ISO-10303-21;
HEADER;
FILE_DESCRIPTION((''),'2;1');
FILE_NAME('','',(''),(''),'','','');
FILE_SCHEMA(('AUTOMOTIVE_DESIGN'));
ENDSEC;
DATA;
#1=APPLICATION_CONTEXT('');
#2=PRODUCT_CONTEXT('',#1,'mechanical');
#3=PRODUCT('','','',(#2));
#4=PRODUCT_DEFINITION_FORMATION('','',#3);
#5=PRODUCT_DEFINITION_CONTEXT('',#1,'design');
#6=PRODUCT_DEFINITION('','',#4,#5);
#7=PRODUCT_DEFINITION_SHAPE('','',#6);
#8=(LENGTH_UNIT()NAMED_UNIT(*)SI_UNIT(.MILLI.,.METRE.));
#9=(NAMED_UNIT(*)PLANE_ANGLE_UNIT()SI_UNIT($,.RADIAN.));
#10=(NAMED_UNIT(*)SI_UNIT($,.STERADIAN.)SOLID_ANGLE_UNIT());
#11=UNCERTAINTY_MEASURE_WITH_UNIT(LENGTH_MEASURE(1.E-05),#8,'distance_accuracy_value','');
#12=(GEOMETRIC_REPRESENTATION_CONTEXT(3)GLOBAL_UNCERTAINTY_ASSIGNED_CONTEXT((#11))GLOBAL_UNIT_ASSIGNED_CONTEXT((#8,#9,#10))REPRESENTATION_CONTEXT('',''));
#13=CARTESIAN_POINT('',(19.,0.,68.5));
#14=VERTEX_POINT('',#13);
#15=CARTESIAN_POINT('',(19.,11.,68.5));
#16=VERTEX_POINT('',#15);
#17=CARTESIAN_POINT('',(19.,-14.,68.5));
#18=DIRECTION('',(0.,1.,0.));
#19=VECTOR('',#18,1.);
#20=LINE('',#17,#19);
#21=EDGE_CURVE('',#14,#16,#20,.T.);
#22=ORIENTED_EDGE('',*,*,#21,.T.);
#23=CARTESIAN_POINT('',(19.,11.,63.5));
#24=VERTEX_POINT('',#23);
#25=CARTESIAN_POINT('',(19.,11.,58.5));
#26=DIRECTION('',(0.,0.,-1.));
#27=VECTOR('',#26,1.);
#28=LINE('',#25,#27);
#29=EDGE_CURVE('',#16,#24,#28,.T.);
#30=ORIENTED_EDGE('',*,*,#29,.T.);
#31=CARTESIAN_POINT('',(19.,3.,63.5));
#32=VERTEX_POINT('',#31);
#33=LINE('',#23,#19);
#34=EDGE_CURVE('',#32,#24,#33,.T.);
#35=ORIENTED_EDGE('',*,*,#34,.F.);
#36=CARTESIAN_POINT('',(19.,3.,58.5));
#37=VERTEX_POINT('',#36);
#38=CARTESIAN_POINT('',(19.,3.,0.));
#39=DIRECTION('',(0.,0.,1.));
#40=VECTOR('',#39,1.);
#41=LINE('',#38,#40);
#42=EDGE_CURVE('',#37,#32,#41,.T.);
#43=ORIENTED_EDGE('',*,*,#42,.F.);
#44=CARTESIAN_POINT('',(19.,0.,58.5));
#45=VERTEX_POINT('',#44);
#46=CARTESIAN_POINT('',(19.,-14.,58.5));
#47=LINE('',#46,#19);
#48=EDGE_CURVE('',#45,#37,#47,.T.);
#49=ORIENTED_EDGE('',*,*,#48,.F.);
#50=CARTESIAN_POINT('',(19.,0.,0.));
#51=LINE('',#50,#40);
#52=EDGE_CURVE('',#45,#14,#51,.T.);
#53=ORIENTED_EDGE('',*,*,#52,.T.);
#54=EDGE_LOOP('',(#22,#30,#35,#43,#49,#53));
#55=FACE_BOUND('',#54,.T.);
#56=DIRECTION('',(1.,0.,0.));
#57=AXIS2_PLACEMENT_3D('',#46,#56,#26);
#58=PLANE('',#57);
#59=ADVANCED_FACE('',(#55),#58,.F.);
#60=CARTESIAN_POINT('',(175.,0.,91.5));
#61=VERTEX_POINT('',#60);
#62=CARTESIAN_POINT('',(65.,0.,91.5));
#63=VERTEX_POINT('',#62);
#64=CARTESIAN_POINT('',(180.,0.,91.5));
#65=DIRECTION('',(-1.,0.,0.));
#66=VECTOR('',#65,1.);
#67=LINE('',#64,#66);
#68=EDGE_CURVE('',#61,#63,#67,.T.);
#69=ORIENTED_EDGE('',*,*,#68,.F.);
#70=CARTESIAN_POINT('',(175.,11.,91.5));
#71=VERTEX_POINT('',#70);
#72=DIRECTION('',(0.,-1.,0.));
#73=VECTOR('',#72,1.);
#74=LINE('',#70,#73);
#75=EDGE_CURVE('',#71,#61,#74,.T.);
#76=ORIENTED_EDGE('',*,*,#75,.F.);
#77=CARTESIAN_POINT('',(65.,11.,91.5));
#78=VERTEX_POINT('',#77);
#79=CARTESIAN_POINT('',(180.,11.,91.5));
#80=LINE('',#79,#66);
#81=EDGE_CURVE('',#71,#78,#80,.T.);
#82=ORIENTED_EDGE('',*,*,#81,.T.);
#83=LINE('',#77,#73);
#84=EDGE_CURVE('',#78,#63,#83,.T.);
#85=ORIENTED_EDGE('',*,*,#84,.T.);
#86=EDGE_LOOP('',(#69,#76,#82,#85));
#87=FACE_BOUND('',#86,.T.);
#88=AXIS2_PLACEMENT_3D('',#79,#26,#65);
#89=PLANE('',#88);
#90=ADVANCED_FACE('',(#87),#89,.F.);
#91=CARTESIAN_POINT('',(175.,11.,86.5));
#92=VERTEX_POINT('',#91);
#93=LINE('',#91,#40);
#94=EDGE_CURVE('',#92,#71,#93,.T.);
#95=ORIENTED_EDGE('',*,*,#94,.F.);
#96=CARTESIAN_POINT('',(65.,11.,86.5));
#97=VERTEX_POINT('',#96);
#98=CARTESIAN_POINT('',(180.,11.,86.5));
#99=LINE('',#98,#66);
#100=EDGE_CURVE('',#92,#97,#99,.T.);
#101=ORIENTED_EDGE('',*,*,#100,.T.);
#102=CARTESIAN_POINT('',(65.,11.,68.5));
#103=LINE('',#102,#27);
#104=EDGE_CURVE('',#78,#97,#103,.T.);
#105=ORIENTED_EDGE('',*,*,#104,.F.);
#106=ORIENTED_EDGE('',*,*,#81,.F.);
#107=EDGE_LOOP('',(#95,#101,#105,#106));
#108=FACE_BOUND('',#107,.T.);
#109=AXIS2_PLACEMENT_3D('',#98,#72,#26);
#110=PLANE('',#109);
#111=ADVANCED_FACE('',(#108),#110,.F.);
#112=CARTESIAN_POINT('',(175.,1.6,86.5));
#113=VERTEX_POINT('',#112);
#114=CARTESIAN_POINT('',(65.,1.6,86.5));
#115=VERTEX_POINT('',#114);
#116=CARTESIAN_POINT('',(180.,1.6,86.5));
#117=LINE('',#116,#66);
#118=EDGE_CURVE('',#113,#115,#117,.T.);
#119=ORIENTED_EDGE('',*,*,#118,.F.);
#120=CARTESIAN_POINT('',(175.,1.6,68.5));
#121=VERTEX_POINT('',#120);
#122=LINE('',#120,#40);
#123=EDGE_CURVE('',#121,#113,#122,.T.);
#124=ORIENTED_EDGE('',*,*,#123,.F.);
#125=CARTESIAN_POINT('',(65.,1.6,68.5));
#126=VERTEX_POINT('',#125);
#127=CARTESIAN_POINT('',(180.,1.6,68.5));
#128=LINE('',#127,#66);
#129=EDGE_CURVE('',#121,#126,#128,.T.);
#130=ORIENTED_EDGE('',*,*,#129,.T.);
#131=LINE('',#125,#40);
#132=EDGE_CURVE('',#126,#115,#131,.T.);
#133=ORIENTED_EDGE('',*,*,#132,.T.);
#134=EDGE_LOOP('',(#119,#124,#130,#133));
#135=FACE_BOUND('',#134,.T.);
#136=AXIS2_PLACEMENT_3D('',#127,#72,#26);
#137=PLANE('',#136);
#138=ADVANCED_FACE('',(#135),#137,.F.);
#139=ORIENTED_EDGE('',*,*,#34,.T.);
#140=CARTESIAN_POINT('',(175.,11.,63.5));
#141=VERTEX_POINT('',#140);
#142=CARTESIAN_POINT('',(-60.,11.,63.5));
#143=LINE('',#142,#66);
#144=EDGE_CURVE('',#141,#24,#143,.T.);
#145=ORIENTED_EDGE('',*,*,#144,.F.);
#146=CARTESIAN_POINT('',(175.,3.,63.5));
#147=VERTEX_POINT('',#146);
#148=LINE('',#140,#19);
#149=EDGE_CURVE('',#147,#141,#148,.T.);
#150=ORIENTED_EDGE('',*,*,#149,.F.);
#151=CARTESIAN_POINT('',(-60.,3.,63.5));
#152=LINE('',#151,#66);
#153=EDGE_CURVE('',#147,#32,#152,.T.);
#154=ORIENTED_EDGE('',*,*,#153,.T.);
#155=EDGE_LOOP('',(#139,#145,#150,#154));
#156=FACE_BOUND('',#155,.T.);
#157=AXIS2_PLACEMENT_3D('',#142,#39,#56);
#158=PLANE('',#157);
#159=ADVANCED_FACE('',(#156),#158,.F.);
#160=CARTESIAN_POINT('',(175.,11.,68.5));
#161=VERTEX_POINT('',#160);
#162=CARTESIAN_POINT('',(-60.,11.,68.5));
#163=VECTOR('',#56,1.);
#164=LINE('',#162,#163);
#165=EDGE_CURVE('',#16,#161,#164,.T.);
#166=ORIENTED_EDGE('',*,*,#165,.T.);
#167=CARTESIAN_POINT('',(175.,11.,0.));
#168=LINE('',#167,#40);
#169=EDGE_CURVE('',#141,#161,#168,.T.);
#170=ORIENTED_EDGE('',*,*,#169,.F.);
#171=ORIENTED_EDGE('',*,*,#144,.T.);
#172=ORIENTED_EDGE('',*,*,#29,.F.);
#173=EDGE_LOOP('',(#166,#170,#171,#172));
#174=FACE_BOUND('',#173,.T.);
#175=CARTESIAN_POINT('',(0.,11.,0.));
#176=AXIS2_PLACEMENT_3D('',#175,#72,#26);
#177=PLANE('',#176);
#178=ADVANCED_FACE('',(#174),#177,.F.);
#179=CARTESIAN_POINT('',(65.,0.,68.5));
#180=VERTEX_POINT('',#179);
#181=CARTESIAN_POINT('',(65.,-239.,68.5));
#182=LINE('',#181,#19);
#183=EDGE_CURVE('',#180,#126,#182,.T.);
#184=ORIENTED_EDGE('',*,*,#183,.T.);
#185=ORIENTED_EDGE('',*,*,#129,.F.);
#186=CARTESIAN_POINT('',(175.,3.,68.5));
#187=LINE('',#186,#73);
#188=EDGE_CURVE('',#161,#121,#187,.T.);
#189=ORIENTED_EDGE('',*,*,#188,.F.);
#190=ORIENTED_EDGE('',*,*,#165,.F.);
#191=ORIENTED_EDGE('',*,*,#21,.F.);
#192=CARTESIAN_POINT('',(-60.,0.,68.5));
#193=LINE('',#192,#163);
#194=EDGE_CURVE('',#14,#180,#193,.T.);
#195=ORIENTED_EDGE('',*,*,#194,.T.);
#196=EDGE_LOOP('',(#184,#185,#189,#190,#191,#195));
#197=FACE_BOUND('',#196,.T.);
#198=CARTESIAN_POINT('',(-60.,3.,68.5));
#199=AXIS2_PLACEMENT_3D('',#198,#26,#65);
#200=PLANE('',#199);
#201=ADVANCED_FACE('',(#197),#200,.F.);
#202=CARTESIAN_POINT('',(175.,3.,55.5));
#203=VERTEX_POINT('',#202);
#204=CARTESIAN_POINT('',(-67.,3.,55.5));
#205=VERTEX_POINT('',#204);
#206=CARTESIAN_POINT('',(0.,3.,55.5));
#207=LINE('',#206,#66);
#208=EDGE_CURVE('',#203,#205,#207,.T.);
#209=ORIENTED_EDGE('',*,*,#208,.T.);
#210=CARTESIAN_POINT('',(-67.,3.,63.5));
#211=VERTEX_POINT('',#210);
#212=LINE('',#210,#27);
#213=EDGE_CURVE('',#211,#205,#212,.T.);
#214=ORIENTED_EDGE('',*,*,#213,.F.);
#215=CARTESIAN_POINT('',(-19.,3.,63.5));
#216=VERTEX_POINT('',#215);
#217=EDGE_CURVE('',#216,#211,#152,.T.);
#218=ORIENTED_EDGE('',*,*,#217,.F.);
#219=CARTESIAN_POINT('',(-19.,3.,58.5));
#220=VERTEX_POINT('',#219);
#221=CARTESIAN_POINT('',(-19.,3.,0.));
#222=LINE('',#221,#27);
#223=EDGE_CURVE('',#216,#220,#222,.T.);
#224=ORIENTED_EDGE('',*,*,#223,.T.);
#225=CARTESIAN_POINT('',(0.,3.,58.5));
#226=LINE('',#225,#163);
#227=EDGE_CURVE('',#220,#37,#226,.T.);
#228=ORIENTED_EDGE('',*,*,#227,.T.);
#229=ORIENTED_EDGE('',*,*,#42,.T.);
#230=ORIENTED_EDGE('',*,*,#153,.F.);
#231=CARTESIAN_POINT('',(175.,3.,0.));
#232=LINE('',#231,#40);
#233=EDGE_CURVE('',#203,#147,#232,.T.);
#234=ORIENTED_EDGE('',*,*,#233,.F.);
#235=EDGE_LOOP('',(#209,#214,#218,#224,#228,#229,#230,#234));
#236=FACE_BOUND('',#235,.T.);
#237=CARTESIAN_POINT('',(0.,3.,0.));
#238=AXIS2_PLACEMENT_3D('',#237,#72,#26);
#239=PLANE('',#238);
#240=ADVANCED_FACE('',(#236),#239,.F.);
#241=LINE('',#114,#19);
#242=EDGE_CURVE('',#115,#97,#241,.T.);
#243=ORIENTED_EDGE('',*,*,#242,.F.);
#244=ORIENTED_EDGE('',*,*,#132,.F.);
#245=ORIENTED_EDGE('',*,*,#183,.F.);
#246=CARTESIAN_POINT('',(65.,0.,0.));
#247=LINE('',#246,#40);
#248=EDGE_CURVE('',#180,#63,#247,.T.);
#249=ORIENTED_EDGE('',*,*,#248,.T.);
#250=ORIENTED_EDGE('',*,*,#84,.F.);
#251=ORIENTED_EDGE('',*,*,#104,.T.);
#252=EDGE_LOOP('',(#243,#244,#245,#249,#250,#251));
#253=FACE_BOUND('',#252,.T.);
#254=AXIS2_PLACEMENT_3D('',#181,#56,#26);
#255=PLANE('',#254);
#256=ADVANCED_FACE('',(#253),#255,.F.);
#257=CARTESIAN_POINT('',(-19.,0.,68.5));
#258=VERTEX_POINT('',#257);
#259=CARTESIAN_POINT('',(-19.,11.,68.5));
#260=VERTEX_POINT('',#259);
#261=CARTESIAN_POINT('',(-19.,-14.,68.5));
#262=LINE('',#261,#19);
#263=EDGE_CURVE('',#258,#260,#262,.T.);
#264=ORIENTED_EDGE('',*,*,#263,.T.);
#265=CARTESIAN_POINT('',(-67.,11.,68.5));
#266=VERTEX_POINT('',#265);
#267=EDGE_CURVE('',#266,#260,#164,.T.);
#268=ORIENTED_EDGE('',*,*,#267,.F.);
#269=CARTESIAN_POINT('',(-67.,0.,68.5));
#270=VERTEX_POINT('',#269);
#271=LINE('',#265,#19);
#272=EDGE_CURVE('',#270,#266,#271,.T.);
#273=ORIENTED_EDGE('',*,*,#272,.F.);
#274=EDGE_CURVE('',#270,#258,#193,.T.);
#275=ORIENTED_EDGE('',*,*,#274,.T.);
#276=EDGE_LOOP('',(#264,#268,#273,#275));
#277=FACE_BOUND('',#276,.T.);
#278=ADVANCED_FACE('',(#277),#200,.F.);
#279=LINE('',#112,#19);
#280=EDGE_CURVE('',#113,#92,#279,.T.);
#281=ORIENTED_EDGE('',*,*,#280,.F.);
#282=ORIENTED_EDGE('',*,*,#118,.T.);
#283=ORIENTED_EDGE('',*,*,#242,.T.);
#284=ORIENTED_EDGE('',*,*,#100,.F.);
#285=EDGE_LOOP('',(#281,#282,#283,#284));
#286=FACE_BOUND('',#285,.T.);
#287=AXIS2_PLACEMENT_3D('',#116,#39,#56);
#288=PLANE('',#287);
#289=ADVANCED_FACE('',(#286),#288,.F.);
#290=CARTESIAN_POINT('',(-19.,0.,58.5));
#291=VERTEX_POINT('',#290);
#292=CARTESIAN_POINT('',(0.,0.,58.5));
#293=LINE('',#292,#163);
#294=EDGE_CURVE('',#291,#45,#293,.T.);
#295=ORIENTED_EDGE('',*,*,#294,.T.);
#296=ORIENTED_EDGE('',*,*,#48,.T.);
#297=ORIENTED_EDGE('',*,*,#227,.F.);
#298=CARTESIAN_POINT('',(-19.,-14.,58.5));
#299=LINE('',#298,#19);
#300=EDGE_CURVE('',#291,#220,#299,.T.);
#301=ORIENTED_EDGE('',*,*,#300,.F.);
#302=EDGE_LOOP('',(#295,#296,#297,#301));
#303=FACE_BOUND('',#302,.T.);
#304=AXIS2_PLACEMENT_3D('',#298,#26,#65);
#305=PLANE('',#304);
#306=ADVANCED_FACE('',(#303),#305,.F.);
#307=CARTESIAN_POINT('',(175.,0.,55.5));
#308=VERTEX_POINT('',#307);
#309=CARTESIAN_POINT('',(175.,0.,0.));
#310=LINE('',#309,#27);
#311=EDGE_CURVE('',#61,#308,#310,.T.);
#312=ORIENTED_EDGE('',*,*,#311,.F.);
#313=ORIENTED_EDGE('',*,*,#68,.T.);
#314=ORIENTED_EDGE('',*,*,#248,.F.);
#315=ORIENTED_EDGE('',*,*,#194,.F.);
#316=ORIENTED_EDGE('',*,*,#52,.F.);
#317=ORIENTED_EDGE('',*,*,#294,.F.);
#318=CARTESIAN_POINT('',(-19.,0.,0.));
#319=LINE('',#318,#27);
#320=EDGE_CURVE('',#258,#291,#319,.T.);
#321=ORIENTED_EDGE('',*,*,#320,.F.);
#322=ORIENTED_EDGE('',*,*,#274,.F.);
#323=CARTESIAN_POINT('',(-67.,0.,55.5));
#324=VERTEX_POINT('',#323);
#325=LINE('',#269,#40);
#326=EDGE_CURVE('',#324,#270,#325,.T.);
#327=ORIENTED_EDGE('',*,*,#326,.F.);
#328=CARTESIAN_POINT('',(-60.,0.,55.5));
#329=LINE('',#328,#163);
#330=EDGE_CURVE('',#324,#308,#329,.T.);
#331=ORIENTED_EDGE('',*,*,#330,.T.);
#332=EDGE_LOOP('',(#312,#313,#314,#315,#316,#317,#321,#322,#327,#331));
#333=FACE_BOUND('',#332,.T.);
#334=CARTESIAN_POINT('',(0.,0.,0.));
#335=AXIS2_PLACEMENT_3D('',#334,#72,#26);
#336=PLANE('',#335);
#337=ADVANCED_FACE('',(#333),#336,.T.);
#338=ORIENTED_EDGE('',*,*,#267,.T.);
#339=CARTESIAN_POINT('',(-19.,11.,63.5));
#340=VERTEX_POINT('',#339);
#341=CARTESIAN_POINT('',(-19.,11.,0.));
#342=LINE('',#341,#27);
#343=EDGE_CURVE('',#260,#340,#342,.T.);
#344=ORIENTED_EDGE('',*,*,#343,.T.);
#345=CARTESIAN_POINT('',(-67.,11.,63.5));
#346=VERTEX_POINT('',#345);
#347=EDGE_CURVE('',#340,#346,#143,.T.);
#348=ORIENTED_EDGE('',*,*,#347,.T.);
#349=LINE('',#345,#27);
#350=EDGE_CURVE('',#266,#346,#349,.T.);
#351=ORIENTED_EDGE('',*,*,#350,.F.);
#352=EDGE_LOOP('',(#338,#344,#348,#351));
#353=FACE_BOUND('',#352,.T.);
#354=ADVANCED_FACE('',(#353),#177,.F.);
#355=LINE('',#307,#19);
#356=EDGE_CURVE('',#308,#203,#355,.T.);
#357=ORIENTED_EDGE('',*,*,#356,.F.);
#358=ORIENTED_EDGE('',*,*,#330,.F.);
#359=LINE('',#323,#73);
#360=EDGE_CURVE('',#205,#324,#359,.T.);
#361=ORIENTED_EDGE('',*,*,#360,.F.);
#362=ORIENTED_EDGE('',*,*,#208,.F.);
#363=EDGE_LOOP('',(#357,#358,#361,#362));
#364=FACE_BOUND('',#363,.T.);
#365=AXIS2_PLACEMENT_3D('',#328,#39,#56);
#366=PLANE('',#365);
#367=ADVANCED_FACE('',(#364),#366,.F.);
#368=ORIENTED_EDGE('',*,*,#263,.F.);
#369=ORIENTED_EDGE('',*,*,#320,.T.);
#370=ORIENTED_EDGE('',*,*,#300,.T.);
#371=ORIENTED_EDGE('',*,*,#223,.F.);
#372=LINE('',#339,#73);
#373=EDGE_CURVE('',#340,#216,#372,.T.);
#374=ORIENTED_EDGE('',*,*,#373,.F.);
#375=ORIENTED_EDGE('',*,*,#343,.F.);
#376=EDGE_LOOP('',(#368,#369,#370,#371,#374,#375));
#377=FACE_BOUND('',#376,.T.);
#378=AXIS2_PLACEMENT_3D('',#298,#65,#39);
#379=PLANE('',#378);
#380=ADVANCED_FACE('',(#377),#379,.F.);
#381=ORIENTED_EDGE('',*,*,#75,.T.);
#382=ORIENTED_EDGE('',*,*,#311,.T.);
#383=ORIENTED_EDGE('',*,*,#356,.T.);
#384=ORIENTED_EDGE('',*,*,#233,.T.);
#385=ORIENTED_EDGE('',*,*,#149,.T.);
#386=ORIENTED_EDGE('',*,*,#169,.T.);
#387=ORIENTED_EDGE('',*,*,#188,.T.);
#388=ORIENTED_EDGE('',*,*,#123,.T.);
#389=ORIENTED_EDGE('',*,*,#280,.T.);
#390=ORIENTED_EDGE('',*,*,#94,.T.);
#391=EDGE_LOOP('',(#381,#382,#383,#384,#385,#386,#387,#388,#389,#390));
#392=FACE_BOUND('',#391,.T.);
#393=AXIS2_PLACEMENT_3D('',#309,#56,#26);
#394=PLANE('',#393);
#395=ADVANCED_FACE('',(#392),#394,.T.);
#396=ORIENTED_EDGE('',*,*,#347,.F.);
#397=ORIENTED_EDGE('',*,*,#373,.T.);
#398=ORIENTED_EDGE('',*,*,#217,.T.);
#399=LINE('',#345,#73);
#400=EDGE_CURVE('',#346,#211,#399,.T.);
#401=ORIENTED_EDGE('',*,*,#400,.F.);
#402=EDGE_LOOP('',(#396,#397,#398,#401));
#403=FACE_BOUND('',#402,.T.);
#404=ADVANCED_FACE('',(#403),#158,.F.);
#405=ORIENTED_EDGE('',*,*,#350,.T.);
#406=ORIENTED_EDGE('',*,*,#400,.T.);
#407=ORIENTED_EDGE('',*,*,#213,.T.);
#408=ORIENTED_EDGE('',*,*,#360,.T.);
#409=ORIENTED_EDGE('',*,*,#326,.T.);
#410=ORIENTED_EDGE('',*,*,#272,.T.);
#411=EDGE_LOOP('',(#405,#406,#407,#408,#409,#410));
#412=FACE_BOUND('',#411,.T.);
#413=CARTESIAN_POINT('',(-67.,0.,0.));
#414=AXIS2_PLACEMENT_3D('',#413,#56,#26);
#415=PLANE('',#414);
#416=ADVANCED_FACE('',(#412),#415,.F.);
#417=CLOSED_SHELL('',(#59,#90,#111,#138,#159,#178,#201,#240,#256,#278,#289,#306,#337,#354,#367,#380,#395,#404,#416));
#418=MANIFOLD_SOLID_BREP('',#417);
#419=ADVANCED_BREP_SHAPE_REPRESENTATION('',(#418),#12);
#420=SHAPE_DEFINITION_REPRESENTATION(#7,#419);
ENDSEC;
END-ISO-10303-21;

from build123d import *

# Parameters (mm, degrees)
SKETCH1_W               = 120
SKETCH1_H               = 137
BOSS_EXTRUDE1_DEPTH     = 3
SKETCH2_W               = 120
SKETCH2_H               = 5
BOSS_EXTRUDE2_DEPTH     = 8
SKETCH3_W               = 38
SKETCH3_H               = 10
CUT_EXTRUDE1_DEPTH      = 25
SKETCH4_W               = 120
SKETCH4_H               = 124
CUT_EXTRUDE2_DEPTH      = 92.412526494
CUT_EXTRUDE2_DEPTH_BACK = 92.412526494
BOSS_EXTRUDE3_DEPTH     = 7
BOSS_EXTRUDE4_DEPTH     = 120
SKETCH9_W               = 5
SKETCH9_H               = 23
CUT_EXTRUDE3_DEPTH      = 250
MOVE_FACE1_BY           = 5


with BuildPart() as part:
    # Sketch1 → Boss-Extrude1 (new body)
    with BuildSketch(Plane(origin=(0, 0, 0), x_dir=(1, 0, 0), z_dir=(0, 1, 0))):
        Rectangle(SKETCH1_W, SKETCH1_H)
    extrude(amount=BOSS_EXTRUDE1_DEPTH)

    # Sketch2 → Boss-Extrude2 (add)
    with BuildSketch(Plane(origin=(0, 3, 0), x_dir=(1, 0, 0), z_dir=(0, 1, 0))):
        with Locations((0, -66)):
            Rectangle(SKETCH2_W, SKETCH2_H)
    extrude(amount=BOSS_EXTRUDE2_DEPTH)

    # Sketch3 → Cut-Extrude1 (cut)
    with BuildSketch(Plane(origin=(0, 11, 0), x_dir=(1, 0, 0), z_dir=(0, 1, 0))):
        with Locations((0, -63.5)):
            Rectangle(SKETCH3_W, SKETCH3_H)
    extrude(amount=-CUT_EXTRUDE1_DEPTH, mode=Mode.SUBTRACT)

    # Sketch4 → Cut-Extrude2 (cut, two sides)
    with BuildSketch(Plane(origin=(0, 3, 0), x_dir=(1, 0, 0), z_dir=(0, 1, 0))) as cut_extrude2_sk:
        with Locations((0, 6.5)):
            Rectangle(SKETCH4_W, SKETCH4_H)
    extrude(amount=CUT_EXTRUDE2_DEPTH, mode=Mode.SUBTRACT)
    extrude(cut_extrude2_sk.sketch, amount=-CUT_EXTRUDE2_DEPTH_BACK, mode=Mode.SUBTRACT)

    # Sketch7 → Boss-Extrude3 (add)
    with BuildSketch(Plane.ZY.offset(60)):
        Polygon((63.5, 11), (63.5, 3), (55.5, 3), (55.5, 0), (68.5, 0), (68.5, 11), align=None)
    extrude(amount=BOSS_EXTRUDE3_DEPTH)

    # Sketch8 → Boss-Extrude4 (add)
    with BuildSketch(Plane(origin=(60, 0, 0), x_dir=(0, 0, -1), z_dir=(1, 0, 0))):
        Polygon((-55.5, 0), (-55.5, 3), (-63.5, 3), (-63.5, 11), (-68.5, 11), (-68.5, 1.6), (-86.5, 1.6), (-86.5, 11), (-91.5, 11), (-91.5, 0), align=None)
    extrude(amount=BOSS_EXTRUDE4_DEPTH)

    # Sketch9 → Cut-Extrude3 (cut)
    with BuildSketch(Plane(origin=(0, 11, 0), x_dir=(1, 0, 0), z_dir=(0, 1, 0))):
        with Locations((62.5, -80)):
            Rectangle(SKETCH9_W, SKETCH9_H)
    extrude(amount=-CUT_EXTRUDE3_DEPTH, mode=Mode.SUBTRACT)

    # Move Face1: a face moved inward by 5.0
    extrude(part.faces().sort_by_distance((180, 1.1, 73.5))[0], amount=MOVE_FACE1_BY, dir=(-1, 0, 0), mode=Mode.SUBTRACT)


solid = part.part
